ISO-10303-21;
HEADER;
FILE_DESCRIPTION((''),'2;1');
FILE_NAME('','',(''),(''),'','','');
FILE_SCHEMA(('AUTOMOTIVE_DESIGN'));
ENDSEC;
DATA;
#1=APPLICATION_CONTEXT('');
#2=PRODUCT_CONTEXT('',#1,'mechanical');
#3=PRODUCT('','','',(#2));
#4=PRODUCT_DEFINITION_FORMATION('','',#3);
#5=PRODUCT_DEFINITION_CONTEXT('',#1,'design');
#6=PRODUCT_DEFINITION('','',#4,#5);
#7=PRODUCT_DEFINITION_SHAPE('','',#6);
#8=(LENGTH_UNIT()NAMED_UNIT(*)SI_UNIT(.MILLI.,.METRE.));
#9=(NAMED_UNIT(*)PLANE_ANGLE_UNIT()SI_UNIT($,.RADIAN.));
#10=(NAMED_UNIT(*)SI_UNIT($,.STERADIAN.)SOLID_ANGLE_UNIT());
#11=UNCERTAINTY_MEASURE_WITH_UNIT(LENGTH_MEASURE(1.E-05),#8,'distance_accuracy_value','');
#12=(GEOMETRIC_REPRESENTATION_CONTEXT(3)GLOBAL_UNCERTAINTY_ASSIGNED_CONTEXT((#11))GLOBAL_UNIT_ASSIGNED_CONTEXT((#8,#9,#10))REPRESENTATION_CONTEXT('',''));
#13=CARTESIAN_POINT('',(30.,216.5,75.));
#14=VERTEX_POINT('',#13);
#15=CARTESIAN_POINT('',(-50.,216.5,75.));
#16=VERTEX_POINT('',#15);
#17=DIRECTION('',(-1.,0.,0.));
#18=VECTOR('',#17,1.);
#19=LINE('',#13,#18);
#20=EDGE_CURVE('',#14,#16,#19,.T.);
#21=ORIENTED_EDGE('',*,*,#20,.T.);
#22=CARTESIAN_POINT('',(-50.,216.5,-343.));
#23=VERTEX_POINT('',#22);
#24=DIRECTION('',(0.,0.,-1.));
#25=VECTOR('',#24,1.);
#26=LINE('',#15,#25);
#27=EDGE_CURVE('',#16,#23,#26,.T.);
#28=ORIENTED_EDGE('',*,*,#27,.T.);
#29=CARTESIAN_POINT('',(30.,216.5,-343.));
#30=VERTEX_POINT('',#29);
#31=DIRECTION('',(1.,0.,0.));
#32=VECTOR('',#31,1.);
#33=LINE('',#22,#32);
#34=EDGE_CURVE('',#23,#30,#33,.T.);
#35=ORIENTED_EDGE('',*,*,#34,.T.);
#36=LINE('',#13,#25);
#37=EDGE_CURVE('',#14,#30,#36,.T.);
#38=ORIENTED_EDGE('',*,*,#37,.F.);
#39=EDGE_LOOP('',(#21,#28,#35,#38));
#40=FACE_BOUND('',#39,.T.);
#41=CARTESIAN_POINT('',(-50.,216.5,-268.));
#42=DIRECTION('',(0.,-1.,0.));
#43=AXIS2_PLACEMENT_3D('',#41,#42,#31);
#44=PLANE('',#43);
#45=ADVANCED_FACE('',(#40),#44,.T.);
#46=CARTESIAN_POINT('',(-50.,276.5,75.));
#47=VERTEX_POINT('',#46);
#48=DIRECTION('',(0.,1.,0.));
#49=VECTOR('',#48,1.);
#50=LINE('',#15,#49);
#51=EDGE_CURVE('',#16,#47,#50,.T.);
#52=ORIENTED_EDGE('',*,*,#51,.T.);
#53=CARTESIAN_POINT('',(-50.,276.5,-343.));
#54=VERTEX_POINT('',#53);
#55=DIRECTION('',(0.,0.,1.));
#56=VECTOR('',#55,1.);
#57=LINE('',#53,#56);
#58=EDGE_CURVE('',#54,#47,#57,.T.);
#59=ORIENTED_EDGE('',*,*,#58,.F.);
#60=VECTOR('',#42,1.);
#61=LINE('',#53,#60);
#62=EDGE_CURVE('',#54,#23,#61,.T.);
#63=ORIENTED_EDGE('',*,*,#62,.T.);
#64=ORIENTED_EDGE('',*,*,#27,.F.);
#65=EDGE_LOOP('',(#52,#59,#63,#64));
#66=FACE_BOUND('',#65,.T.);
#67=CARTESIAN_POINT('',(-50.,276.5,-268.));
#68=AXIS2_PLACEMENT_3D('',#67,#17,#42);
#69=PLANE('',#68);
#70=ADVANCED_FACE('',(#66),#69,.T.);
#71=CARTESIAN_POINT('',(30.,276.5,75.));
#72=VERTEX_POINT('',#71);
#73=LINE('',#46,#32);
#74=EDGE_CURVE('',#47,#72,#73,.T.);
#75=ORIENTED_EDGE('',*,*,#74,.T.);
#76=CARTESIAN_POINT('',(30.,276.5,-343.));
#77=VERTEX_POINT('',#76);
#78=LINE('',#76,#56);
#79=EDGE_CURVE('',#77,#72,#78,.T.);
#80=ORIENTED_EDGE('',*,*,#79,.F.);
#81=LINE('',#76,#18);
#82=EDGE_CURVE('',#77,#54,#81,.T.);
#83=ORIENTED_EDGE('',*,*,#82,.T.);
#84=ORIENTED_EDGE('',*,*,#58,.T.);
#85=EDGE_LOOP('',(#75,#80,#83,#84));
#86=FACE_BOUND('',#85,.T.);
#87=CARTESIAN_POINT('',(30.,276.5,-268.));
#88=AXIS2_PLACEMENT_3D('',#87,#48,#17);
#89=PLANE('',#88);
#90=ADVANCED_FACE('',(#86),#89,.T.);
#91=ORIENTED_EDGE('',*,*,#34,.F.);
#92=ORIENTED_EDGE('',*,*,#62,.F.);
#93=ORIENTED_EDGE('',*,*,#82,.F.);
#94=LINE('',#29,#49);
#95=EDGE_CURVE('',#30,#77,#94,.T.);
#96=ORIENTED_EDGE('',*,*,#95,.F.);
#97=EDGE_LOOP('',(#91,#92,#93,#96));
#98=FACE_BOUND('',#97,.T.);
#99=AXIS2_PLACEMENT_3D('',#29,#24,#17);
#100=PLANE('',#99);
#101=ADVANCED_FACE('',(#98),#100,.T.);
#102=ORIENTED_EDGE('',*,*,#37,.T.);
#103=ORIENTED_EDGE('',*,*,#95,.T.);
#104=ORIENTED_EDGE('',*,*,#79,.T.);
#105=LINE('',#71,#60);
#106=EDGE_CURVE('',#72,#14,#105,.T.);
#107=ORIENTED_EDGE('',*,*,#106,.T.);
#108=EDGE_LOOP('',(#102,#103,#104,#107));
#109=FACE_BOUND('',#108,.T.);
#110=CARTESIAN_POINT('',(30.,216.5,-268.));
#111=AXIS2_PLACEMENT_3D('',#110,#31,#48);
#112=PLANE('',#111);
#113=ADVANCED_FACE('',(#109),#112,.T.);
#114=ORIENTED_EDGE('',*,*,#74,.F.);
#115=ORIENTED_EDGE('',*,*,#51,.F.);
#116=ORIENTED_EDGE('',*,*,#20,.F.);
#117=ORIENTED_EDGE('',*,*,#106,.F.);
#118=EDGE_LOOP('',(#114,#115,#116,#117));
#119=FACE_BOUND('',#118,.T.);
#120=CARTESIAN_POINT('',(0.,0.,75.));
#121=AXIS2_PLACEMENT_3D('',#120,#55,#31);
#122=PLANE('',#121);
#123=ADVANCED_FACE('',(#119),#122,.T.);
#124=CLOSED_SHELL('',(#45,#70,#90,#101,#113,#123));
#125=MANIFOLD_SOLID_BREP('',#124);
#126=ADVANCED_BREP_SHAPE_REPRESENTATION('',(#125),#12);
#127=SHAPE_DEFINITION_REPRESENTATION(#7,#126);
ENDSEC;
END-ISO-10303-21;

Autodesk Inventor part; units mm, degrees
ref_plane "YZ Plane" through (0, 0, 0) normal (1, 0, 0) x (0, 1, 0)
ref_plane "XZ Plane" through (0, 0, 0) normal (0, 1, 0) x (-1, 0, 0)
sketch "Sketch1" plane through (0, 0, 0) normal (0, 0, 1) x (1, 0, 0)
  line L0 (30, 216.5) -> (-50, 216.5)
  line L1 (-50, 216.5) -> (-50, 276.5)
  line L2 (-50, 276.5) -> (30, 276.5)
  line L3 (30, 276.5) -> (30, 216.5)
  point P0 (0, 0)
  dimension "d0" = 60
  dimension "d1" = 80
ref_plane "Work Plane1" through (-30, -216.5, -268) normal (0, 0, -1) x (0, 1, 0)
extrude "Extrusion1" add sketch "Sketch1" against normal up to surface (268 mm away)
sketch "Sketch2" plane through (0, 0, 0) normal (0, 0, 1) x (1, 0, 0)
  line L0 (30, 216.5) -> (-50, 216.5) projected
  line L1 (30, 276.5) -> (30, 216.5) projected
  line L2 (-50, 276.5) -> (30, 276.5) projected
  line L3 (-50, 216.5) -> (-50, 276.5) projected
  line L4 (30, 216.5) -> (-50, 216.5) projected
  line L5 (30, 276.5) -> (30, 216.5) projected
  line L6 (-50, 276.5) -> (30, 276.5) projected
  line L7 (-50, 216.5) -> (-50, 276.5) projected
  point P0 (0, 0)
extrude "Extrusion2" add sketch "Sketch2" along normal blind 75
sketch "Sketch3" plane through (30, 216.5, -268) normal (0, 0, -1) x (-1, 0, 0)
  line L0 (0, 0) -> (0, 60) projected
  line L1 (80, 0) -> (0, 0) projected
  line L2 (80, 60) -> (80, 0) projected
  line L3 (0, 60) -> (80, 60) projected
  line L4 (0, 0) -> (0, 60) projected
  line L5 (80, 0) -> (0, 0) projected
  line L6 (80, 60) -> (80, 0) projected
  line L7 (0, 60) -> (80, 60) projected
  point P0 (30, -216.5)
extrude "Extrusion3" add sketch "Sketch3" along normal blind 75
properties part number "Bottom_Wheel_Supp" material "Wood"
